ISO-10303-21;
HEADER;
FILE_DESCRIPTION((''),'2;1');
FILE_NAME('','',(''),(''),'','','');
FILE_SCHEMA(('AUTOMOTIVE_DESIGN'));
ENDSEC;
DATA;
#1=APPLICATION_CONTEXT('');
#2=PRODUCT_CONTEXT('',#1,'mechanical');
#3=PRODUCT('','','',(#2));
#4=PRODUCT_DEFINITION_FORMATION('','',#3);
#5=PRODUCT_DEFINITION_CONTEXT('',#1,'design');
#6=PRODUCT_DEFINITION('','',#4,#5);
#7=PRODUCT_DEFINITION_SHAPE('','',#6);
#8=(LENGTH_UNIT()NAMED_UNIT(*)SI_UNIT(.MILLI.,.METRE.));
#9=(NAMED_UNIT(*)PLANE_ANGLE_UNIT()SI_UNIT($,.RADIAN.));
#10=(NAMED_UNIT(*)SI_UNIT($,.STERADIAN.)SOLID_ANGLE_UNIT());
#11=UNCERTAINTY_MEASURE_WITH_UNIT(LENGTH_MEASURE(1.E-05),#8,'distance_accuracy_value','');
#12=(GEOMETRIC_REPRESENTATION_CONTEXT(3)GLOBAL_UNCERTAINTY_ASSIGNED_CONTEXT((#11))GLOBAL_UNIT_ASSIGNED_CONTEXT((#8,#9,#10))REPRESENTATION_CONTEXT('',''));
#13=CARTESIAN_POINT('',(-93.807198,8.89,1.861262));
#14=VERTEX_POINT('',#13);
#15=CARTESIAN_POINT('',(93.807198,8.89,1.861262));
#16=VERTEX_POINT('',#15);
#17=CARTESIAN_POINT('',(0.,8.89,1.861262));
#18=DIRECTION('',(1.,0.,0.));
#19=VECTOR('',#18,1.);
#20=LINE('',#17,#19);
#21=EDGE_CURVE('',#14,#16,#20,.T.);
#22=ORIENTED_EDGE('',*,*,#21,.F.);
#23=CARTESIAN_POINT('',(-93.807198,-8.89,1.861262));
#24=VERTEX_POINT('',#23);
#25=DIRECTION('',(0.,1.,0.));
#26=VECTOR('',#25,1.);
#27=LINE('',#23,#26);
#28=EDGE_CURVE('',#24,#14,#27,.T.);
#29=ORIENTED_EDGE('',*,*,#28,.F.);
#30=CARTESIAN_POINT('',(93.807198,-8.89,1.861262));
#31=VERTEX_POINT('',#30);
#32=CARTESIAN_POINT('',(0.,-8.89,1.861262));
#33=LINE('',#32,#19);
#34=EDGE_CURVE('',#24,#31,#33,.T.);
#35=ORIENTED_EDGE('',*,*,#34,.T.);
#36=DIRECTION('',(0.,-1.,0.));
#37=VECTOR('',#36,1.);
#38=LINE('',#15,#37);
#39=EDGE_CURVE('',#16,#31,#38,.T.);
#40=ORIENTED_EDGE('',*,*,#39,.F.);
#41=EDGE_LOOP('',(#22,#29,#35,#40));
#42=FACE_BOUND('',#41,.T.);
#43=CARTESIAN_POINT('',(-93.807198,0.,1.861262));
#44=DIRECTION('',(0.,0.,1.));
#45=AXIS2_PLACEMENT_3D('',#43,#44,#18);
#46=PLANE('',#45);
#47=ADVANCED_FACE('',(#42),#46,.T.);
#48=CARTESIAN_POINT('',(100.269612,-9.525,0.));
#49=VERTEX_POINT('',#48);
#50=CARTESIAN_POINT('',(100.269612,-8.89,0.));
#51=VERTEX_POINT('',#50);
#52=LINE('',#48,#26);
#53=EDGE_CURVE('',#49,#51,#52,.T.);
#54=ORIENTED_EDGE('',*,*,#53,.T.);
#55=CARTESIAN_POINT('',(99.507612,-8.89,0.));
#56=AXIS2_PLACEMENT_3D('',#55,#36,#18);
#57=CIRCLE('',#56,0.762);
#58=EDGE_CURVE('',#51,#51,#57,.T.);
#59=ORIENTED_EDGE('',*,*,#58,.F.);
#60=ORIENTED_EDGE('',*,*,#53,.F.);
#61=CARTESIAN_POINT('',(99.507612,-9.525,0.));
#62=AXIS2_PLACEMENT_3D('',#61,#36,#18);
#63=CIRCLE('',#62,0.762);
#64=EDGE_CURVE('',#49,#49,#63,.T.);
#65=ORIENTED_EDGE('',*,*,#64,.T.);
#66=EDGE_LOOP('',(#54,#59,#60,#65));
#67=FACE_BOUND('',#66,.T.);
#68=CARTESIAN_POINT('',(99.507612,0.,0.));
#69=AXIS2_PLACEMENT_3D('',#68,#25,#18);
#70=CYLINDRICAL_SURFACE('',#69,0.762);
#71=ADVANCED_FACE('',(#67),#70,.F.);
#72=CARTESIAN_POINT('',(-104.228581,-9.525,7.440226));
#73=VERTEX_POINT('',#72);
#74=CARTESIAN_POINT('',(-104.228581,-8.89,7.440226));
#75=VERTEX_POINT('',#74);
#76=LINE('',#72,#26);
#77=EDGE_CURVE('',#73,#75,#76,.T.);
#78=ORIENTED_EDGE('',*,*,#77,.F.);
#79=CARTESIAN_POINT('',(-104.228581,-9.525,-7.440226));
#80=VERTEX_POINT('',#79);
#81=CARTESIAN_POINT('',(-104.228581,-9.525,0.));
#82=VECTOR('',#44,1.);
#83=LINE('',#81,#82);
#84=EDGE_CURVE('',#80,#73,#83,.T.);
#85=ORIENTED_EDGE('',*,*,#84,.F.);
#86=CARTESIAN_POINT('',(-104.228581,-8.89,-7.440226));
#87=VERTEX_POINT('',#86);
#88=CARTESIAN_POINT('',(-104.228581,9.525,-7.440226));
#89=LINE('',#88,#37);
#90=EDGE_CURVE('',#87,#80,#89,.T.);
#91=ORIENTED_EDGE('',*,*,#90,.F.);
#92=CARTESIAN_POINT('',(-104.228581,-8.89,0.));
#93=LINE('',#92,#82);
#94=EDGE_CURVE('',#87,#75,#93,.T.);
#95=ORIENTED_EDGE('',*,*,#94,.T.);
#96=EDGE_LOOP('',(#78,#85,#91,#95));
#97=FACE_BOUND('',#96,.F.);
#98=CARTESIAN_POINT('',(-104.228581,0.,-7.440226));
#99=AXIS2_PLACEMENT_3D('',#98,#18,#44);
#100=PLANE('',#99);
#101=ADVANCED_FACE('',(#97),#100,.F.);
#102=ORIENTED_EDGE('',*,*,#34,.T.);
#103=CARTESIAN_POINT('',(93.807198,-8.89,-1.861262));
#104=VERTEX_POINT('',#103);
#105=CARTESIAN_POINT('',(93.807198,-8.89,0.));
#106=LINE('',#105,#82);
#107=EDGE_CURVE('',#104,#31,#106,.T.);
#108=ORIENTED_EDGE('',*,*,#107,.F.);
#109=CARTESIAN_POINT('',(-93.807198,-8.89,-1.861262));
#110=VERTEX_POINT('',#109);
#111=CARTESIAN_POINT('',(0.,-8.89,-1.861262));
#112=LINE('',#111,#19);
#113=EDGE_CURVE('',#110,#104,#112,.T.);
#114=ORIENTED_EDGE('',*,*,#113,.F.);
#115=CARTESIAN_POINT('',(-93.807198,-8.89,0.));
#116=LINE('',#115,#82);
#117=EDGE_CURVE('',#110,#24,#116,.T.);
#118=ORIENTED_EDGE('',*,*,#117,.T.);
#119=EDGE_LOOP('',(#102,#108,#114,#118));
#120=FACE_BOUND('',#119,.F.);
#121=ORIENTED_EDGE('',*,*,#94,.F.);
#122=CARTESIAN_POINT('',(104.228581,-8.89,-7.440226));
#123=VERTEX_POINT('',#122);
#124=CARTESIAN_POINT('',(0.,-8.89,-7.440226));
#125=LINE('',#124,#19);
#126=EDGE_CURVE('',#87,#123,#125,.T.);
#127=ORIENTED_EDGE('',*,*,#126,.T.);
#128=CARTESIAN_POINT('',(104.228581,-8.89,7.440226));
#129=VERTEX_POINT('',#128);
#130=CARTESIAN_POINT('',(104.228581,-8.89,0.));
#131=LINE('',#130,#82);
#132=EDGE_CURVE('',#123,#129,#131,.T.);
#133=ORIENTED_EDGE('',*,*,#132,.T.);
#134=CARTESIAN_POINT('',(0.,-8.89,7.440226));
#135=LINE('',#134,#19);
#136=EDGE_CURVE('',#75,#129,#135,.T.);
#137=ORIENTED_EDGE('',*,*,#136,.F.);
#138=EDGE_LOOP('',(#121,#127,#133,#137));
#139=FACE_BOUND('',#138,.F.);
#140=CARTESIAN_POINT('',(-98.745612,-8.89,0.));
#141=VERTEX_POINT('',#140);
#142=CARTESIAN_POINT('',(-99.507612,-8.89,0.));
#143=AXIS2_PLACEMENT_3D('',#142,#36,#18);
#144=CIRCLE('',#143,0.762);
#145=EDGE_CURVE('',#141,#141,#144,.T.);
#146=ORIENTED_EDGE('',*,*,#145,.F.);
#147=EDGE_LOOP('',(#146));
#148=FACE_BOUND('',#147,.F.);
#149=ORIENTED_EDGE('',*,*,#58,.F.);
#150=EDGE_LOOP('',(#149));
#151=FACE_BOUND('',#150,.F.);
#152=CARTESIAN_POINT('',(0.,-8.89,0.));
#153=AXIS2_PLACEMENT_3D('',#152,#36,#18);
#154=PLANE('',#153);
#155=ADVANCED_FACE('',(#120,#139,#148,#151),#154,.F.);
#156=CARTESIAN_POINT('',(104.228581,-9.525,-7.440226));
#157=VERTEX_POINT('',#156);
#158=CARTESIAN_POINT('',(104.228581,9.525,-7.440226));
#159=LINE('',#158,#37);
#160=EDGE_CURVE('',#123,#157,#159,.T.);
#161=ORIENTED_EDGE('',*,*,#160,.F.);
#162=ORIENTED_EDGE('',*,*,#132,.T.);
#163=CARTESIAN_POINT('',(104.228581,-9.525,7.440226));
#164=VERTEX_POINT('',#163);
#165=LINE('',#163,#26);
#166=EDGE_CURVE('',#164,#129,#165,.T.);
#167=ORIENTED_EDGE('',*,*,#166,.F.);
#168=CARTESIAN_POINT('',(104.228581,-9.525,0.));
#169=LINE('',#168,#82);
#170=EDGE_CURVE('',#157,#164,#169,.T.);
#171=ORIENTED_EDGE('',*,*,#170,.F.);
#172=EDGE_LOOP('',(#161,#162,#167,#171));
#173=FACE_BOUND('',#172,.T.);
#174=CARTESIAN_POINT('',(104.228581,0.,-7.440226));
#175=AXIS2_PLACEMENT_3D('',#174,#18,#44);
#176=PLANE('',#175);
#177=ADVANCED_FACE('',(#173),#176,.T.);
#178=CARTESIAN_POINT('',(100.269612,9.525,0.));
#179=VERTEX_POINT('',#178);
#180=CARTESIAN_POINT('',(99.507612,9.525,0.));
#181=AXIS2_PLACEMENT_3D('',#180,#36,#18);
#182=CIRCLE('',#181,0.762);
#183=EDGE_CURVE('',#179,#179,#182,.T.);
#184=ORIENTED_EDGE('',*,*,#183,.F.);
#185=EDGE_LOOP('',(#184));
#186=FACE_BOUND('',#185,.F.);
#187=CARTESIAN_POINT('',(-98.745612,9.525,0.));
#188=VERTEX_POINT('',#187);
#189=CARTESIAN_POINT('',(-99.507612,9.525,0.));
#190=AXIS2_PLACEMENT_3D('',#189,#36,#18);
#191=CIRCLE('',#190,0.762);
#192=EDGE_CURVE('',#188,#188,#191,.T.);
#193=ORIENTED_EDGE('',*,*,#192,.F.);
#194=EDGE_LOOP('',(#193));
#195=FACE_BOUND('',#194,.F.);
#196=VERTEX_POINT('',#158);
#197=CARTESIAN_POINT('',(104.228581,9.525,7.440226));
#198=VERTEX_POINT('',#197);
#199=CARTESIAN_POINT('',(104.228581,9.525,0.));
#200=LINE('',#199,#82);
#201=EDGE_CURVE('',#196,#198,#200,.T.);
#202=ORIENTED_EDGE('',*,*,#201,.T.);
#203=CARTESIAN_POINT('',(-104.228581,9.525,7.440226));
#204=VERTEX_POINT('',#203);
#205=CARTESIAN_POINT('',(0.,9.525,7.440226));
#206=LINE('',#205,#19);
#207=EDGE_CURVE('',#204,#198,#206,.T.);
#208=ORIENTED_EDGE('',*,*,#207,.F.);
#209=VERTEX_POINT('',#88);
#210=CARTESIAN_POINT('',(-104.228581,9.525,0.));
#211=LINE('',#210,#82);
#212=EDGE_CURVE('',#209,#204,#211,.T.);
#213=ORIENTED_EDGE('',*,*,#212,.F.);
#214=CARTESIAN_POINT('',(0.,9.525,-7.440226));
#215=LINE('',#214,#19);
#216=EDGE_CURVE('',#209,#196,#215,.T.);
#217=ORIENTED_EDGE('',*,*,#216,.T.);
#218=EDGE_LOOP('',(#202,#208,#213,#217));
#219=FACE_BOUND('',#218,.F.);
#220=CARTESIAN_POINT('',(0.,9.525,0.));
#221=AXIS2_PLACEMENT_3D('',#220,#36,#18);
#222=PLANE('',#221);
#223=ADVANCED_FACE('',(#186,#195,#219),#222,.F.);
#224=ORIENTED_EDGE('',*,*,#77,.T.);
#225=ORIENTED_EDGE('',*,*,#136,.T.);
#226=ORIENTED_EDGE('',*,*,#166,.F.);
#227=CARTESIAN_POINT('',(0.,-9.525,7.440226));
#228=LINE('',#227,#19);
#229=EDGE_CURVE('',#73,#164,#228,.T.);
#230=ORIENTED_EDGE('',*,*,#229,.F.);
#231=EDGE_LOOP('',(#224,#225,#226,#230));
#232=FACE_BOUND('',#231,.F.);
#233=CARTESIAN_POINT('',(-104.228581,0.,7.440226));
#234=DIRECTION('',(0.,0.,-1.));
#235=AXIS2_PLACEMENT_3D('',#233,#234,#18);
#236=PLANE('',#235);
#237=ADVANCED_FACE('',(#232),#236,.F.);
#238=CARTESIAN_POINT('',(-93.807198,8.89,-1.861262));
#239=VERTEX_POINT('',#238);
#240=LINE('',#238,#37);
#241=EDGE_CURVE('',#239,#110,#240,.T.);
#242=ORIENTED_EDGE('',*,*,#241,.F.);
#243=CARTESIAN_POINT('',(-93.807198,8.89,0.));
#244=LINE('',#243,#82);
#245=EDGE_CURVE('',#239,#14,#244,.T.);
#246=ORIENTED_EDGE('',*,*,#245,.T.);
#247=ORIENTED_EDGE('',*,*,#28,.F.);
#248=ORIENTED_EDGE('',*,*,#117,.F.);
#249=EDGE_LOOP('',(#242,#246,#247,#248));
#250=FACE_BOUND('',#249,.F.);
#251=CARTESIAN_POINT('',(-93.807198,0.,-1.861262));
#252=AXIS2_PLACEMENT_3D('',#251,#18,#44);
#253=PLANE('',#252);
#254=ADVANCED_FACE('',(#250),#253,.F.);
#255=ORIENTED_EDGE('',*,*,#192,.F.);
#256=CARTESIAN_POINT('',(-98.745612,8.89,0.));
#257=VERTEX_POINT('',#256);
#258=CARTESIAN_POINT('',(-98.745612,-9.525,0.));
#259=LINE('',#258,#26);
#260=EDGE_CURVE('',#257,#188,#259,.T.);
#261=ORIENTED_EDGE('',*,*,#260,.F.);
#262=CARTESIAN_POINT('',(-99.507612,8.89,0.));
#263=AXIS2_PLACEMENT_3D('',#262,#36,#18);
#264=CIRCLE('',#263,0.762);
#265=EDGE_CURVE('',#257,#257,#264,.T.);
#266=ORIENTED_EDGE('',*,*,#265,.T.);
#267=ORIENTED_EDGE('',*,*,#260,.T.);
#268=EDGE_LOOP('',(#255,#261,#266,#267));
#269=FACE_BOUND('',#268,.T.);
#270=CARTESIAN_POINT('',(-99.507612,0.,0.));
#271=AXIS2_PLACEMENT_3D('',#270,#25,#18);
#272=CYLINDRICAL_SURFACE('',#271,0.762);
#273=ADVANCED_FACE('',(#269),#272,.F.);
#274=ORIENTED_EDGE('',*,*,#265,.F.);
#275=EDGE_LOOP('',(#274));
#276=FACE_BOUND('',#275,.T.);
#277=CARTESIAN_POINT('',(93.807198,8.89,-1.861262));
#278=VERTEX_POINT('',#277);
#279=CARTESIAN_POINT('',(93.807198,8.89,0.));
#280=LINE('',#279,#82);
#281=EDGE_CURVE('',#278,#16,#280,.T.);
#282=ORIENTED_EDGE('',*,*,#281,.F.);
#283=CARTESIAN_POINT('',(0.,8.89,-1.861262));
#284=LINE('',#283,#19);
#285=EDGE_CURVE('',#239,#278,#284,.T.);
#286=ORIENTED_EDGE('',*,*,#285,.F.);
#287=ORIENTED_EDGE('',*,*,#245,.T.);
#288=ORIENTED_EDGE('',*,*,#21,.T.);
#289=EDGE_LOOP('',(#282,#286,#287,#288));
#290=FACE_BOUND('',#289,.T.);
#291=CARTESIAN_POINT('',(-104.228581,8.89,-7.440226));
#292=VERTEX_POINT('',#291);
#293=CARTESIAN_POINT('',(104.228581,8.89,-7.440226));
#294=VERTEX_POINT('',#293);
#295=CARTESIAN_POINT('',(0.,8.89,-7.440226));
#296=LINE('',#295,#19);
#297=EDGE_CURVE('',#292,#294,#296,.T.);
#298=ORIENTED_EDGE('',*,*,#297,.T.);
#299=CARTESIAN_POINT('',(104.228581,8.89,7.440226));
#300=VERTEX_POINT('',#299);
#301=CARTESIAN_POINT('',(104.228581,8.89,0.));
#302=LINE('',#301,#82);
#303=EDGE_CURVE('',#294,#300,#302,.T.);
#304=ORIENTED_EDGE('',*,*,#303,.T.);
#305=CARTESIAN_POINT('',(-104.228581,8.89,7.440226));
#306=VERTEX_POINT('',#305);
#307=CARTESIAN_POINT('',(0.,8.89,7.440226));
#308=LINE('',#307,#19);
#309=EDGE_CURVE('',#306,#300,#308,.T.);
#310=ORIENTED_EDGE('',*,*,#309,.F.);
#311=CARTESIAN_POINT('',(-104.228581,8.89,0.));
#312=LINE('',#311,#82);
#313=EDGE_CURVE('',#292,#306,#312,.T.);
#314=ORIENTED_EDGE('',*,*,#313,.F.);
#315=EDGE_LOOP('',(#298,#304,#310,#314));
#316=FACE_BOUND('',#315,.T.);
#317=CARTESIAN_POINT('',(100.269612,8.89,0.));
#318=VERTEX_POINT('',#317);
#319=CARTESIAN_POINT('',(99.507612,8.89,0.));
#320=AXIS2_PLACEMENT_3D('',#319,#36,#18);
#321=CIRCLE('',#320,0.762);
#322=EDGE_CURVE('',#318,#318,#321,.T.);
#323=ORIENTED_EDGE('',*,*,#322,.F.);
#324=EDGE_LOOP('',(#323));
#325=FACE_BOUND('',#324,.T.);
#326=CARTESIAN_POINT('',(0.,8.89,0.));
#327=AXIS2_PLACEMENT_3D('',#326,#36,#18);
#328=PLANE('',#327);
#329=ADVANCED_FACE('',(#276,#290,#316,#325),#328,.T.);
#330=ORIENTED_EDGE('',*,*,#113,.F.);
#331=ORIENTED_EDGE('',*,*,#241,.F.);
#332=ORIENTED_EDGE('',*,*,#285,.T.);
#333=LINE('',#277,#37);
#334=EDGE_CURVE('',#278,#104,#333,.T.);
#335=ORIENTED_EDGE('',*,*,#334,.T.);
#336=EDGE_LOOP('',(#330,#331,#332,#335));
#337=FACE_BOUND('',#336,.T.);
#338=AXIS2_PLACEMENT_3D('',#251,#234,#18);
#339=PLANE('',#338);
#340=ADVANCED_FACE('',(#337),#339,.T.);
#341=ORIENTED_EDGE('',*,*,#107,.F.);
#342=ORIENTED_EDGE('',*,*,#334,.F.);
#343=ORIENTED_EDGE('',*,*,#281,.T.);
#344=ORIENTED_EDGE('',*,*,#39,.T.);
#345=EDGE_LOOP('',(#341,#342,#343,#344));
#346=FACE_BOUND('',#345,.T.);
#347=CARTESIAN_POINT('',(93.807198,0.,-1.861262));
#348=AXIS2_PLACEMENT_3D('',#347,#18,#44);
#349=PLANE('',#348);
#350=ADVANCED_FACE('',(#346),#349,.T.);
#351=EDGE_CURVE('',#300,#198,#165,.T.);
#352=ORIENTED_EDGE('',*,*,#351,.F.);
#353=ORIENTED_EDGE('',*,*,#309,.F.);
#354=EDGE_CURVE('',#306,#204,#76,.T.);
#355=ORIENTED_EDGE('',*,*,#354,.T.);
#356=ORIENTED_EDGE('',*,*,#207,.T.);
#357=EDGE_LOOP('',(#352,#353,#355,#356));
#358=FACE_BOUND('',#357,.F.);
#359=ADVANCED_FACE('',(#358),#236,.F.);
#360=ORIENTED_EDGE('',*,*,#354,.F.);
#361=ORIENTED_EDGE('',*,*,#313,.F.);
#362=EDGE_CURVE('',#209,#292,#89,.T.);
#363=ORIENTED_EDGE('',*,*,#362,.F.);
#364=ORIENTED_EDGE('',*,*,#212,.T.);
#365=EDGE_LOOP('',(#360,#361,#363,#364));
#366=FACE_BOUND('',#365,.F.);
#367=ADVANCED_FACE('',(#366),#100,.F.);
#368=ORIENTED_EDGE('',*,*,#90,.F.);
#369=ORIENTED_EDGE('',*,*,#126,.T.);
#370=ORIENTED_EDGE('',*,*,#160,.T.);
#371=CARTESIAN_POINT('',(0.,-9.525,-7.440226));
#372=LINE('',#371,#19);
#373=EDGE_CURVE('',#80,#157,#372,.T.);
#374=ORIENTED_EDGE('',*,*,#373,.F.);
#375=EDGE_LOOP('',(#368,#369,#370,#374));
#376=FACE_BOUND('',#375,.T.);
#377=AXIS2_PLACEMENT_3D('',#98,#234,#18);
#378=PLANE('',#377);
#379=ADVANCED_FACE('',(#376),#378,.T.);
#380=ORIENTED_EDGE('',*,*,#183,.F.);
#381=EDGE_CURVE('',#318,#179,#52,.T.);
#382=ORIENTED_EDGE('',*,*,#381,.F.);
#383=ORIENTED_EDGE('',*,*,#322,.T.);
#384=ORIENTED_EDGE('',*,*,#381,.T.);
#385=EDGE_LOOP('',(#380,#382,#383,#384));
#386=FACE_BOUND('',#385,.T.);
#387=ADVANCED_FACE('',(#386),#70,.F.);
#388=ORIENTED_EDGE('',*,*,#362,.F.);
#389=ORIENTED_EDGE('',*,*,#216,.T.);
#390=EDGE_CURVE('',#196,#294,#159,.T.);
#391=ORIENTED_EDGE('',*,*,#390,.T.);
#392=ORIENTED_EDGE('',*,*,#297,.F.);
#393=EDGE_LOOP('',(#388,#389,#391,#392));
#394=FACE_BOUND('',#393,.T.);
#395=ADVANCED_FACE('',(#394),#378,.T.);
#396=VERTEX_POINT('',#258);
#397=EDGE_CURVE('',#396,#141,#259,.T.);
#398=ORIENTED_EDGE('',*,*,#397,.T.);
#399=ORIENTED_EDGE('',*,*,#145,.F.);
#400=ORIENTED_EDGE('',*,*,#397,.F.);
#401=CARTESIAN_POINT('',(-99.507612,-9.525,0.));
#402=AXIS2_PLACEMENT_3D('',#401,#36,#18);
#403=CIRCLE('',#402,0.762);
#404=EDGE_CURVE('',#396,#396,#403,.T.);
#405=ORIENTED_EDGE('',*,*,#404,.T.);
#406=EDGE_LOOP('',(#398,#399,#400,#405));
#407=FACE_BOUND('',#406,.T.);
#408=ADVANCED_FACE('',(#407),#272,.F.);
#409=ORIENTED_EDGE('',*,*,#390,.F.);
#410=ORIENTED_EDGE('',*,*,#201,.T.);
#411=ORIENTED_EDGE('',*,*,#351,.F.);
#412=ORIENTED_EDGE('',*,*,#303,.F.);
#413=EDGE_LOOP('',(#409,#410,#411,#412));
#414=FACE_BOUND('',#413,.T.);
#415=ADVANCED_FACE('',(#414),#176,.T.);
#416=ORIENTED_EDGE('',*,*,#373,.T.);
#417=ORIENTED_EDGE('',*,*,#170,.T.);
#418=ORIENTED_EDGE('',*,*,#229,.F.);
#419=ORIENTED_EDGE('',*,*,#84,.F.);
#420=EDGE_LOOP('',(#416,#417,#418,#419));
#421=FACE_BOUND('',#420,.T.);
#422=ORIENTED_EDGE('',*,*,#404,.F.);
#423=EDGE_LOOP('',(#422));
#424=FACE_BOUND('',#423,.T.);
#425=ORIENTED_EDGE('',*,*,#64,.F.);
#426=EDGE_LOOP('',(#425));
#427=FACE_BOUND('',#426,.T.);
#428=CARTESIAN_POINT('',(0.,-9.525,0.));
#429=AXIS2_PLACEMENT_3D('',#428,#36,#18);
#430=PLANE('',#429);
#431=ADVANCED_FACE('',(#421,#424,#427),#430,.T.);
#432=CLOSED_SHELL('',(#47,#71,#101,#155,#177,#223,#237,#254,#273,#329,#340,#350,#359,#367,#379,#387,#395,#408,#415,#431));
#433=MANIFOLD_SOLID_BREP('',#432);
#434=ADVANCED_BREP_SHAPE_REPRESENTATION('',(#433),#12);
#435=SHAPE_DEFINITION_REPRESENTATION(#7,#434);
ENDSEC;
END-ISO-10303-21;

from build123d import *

# Parameters (mm, degrees)
F0_W     = 208.457162
F0_H     = 14.880452
F0_R     = 0.762
F0_W_2   = 187.614396
F0_H_2   = 3.722524
F1_DEPTH = 9.525
F2_DEPTH = 8.89


with BuildPart() as f1:
    # F0 (on Front) → F1 (new body, symmetric)
    with BuildSketch(Plane.XZ):
        Rectangle(F0_W, F0_H)
        with Locations((-99.507612, 0)):
            Circle(F0_R, mode=Mode.SUBTRACT)
        Rectangle(F0_W_2, F0_H_2, mode=Mode.SUBTRACT)
        with Locations((99.507612, 0)):
            Circle(F0_R, mode=Mode.SUBTRACT)
        Rectangle(F0_W_2, F0_H_2)
    extrude(amount=F1_DEPTH, both=True)

    # F0 (on Front) → F2 (cut, symmetric)
    with BuildSketch(Plane.XZ):
        Rectangle(F0_W, F0_H)
        with Locations((-99.507612, 0)):
            Circle(F0_R, mode=Mode.SUBTRACT)
        Rectangle(F0_W_2, F0_H_2, mode=Mode.SUBTRACT)
        with Locations((99.507612, 0)):
            Circle(F0_R, mode=Mode.SUBTRACT)
    extrude(amount=F2_DEPTH, both=True, mode=Mode.SUBTRACT)


solid = f1.part
